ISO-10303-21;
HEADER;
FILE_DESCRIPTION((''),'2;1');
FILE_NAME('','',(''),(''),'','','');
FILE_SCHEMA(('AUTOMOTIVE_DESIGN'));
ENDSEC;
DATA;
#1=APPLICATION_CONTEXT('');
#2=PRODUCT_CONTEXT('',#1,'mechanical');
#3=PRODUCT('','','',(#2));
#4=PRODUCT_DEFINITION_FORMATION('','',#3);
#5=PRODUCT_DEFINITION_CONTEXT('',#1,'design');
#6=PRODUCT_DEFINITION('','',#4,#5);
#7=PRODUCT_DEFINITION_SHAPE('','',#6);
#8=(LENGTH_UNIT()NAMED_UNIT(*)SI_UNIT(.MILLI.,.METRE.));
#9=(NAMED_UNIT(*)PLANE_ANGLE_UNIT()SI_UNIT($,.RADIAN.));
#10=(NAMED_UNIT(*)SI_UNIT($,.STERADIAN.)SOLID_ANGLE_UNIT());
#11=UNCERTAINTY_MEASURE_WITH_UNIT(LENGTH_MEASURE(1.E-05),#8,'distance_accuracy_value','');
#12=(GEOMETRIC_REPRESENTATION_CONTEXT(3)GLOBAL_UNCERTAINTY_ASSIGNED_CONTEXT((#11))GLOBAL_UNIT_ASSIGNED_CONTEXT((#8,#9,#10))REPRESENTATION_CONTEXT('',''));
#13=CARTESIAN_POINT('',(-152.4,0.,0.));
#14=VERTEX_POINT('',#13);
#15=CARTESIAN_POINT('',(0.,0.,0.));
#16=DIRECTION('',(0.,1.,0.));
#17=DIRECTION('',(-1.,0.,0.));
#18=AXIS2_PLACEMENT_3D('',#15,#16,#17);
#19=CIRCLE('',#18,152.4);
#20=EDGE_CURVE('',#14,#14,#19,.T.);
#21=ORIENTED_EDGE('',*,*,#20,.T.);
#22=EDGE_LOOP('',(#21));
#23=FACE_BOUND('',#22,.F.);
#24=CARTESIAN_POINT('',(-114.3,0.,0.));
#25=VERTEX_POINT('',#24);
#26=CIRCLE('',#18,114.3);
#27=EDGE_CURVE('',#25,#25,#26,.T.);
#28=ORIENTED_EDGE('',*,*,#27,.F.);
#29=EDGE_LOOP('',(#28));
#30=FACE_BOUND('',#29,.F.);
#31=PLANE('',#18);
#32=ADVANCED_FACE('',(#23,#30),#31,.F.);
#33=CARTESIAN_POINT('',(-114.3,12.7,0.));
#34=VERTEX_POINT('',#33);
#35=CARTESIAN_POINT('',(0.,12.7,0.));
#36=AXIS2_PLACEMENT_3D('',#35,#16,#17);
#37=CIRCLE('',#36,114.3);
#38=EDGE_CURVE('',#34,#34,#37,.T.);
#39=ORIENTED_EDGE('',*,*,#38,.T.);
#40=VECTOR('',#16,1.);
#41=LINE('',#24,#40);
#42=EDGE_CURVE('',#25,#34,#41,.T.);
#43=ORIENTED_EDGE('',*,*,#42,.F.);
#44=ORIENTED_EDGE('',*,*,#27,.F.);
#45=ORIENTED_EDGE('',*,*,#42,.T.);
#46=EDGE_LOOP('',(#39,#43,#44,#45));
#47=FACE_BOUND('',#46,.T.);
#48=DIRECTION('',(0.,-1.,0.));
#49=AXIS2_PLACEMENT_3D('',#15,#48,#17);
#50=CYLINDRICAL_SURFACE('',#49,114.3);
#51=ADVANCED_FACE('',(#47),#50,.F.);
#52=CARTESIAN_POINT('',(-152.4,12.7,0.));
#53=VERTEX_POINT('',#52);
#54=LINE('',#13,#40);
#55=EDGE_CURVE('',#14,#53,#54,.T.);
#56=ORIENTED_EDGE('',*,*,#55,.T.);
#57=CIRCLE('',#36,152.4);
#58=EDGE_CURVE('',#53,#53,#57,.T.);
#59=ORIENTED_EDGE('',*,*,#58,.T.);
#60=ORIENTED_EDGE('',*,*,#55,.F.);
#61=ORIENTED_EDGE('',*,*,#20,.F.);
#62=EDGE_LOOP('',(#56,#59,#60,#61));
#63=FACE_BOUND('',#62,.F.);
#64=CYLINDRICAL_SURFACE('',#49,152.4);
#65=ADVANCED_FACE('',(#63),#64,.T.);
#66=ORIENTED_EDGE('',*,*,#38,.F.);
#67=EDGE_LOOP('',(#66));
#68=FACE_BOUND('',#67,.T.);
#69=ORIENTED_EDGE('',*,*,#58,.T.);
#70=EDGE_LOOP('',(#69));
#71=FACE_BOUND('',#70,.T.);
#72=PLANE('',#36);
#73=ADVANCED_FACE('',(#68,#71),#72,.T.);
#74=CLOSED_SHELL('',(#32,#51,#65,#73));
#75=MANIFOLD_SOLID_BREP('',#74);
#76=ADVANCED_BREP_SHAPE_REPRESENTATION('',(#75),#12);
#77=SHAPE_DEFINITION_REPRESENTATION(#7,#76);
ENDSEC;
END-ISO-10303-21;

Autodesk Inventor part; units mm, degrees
ref_plane "YZ Plane" through (0, 0, 0) normal (1, 0, 0) x (0, 1, 0)
ref_plane "XZ Plane" through (0, 0, 0) normal (0, 1, 0) x (-1, 0, 0)
ref_plane "XY Plane" through (0, 0, 0) normal (0, 0, 1) x (1, 0, 0)
sketch "Sketch1" plane through (0, 0, 0) normal (0, 1, 0) x (-1, 0, 0)
  circle A0 centre (0, 0) radius 114.3
  circle A1 centre (0, 0) radius 152.4
  dimension "d0" = 228.6
  dimension "d1" = 304.8
extrude "Extrusion1" add sketch "Sketch1" along normal blind 12.7
properties part number "rim"
